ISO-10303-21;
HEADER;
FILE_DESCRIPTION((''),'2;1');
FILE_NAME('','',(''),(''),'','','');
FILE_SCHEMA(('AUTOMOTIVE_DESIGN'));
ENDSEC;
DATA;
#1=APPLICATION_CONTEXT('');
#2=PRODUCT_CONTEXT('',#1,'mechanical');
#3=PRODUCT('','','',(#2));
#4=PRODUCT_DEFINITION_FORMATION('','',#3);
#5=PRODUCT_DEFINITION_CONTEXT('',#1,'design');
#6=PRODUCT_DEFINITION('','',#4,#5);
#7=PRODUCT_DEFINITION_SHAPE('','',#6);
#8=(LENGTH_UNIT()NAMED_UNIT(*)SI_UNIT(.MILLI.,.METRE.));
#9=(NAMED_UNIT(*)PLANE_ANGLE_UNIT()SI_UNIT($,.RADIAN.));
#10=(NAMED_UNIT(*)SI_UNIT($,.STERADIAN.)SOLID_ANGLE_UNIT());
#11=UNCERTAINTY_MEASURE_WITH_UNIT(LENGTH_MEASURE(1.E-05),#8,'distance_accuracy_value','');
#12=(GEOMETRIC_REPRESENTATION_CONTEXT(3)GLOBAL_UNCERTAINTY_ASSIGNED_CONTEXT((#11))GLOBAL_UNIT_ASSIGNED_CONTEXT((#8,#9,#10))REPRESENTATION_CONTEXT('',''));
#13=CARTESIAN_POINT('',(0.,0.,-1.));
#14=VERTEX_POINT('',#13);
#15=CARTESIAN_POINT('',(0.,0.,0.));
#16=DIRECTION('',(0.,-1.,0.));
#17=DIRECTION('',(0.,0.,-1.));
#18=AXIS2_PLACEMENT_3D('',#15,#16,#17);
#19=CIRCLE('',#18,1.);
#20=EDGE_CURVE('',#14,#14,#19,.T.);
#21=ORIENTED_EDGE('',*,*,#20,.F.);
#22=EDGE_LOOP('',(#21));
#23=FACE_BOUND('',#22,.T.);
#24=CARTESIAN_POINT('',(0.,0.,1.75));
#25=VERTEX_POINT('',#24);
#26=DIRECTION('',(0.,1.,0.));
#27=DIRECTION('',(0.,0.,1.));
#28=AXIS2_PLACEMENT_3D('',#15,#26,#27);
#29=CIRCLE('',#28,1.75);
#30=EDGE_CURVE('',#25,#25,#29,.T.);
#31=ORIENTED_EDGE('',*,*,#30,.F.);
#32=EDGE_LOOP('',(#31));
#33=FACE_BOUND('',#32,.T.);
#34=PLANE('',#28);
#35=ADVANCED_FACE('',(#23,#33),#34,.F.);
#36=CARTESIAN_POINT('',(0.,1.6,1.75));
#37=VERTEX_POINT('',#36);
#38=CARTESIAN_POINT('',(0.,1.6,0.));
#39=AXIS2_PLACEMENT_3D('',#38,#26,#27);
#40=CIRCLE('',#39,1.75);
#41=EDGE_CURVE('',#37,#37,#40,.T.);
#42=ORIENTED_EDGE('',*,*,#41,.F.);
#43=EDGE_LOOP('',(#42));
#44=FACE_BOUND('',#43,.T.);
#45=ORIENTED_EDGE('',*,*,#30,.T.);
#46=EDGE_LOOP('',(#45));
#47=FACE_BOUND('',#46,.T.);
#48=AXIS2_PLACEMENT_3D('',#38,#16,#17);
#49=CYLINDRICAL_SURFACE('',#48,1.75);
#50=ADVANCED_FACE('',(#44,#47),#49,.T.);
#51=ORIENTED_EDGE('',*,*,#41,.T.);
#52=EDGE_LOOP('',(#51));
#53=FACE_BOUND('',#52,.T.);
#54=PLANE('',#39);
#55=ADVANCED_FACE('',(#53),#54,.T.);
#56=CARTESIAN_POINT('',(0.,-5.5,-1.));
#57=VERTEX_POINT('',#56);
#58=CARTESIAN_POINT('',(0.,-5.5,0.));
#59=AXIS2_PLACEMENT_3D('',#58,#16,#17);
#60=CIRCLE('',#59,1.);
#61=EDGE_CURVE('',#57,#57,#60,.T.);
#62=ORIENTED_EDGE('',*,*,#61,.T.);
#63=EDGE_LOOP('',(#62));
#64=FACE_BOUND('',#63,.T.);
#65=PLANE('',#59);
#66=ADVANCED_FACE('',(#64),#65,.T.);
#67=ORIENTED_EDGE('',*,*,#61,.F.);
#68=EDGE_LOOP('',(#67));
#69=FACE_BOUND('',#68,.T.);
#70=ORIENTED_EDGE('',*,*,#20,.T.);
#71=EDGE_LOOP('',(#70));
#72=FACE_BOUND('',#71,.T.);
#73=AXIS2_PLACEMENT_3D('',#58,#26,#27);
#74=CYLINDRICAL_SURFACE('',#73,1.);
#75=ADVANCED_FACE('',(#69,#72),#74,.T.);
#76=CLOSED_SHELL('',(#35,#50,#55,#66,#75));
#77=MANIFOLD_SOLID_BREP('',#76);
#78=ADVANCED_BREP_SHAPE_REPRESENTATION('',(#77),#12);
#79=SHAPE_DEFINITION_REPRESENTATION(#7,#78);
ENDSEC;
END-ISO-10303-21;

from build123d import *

# Parameters (mm, degrees)
ESQUISSE1_R        = 1.75
BOSS_EXTRU_1_DEPTH = 1.6
ESQUISSE2_R        = 1
BOSS_EXTRU_2_DEPTH = 5.5


with BuildPart() as part:
    # Esquisse1 → Boss.-Extru.1 (new body)
    with BuildSketch(Plane(origin=(0, 0, 0), x_dir=(1, 0, 0), z_dir=(0, 1, 0))):
        with Locations(Location((0, 0, 0), (0, 0, 270))):
            Circle(ESQUISSE1_R)
    extrude(amount=BOSS_EXTRU_1_DEPTH)

    # Esquisse2 → Boss.-Extru.2 (add)
    with BuildSketch(Plane.XZ):
        with Locations(Location((0, 0, 0), (0, 0, 270))):
            Circle(ESQUISSE2_R)
    extrude(amount=BOSS_EXTRU_2_DEPTH)


solid = part.part
